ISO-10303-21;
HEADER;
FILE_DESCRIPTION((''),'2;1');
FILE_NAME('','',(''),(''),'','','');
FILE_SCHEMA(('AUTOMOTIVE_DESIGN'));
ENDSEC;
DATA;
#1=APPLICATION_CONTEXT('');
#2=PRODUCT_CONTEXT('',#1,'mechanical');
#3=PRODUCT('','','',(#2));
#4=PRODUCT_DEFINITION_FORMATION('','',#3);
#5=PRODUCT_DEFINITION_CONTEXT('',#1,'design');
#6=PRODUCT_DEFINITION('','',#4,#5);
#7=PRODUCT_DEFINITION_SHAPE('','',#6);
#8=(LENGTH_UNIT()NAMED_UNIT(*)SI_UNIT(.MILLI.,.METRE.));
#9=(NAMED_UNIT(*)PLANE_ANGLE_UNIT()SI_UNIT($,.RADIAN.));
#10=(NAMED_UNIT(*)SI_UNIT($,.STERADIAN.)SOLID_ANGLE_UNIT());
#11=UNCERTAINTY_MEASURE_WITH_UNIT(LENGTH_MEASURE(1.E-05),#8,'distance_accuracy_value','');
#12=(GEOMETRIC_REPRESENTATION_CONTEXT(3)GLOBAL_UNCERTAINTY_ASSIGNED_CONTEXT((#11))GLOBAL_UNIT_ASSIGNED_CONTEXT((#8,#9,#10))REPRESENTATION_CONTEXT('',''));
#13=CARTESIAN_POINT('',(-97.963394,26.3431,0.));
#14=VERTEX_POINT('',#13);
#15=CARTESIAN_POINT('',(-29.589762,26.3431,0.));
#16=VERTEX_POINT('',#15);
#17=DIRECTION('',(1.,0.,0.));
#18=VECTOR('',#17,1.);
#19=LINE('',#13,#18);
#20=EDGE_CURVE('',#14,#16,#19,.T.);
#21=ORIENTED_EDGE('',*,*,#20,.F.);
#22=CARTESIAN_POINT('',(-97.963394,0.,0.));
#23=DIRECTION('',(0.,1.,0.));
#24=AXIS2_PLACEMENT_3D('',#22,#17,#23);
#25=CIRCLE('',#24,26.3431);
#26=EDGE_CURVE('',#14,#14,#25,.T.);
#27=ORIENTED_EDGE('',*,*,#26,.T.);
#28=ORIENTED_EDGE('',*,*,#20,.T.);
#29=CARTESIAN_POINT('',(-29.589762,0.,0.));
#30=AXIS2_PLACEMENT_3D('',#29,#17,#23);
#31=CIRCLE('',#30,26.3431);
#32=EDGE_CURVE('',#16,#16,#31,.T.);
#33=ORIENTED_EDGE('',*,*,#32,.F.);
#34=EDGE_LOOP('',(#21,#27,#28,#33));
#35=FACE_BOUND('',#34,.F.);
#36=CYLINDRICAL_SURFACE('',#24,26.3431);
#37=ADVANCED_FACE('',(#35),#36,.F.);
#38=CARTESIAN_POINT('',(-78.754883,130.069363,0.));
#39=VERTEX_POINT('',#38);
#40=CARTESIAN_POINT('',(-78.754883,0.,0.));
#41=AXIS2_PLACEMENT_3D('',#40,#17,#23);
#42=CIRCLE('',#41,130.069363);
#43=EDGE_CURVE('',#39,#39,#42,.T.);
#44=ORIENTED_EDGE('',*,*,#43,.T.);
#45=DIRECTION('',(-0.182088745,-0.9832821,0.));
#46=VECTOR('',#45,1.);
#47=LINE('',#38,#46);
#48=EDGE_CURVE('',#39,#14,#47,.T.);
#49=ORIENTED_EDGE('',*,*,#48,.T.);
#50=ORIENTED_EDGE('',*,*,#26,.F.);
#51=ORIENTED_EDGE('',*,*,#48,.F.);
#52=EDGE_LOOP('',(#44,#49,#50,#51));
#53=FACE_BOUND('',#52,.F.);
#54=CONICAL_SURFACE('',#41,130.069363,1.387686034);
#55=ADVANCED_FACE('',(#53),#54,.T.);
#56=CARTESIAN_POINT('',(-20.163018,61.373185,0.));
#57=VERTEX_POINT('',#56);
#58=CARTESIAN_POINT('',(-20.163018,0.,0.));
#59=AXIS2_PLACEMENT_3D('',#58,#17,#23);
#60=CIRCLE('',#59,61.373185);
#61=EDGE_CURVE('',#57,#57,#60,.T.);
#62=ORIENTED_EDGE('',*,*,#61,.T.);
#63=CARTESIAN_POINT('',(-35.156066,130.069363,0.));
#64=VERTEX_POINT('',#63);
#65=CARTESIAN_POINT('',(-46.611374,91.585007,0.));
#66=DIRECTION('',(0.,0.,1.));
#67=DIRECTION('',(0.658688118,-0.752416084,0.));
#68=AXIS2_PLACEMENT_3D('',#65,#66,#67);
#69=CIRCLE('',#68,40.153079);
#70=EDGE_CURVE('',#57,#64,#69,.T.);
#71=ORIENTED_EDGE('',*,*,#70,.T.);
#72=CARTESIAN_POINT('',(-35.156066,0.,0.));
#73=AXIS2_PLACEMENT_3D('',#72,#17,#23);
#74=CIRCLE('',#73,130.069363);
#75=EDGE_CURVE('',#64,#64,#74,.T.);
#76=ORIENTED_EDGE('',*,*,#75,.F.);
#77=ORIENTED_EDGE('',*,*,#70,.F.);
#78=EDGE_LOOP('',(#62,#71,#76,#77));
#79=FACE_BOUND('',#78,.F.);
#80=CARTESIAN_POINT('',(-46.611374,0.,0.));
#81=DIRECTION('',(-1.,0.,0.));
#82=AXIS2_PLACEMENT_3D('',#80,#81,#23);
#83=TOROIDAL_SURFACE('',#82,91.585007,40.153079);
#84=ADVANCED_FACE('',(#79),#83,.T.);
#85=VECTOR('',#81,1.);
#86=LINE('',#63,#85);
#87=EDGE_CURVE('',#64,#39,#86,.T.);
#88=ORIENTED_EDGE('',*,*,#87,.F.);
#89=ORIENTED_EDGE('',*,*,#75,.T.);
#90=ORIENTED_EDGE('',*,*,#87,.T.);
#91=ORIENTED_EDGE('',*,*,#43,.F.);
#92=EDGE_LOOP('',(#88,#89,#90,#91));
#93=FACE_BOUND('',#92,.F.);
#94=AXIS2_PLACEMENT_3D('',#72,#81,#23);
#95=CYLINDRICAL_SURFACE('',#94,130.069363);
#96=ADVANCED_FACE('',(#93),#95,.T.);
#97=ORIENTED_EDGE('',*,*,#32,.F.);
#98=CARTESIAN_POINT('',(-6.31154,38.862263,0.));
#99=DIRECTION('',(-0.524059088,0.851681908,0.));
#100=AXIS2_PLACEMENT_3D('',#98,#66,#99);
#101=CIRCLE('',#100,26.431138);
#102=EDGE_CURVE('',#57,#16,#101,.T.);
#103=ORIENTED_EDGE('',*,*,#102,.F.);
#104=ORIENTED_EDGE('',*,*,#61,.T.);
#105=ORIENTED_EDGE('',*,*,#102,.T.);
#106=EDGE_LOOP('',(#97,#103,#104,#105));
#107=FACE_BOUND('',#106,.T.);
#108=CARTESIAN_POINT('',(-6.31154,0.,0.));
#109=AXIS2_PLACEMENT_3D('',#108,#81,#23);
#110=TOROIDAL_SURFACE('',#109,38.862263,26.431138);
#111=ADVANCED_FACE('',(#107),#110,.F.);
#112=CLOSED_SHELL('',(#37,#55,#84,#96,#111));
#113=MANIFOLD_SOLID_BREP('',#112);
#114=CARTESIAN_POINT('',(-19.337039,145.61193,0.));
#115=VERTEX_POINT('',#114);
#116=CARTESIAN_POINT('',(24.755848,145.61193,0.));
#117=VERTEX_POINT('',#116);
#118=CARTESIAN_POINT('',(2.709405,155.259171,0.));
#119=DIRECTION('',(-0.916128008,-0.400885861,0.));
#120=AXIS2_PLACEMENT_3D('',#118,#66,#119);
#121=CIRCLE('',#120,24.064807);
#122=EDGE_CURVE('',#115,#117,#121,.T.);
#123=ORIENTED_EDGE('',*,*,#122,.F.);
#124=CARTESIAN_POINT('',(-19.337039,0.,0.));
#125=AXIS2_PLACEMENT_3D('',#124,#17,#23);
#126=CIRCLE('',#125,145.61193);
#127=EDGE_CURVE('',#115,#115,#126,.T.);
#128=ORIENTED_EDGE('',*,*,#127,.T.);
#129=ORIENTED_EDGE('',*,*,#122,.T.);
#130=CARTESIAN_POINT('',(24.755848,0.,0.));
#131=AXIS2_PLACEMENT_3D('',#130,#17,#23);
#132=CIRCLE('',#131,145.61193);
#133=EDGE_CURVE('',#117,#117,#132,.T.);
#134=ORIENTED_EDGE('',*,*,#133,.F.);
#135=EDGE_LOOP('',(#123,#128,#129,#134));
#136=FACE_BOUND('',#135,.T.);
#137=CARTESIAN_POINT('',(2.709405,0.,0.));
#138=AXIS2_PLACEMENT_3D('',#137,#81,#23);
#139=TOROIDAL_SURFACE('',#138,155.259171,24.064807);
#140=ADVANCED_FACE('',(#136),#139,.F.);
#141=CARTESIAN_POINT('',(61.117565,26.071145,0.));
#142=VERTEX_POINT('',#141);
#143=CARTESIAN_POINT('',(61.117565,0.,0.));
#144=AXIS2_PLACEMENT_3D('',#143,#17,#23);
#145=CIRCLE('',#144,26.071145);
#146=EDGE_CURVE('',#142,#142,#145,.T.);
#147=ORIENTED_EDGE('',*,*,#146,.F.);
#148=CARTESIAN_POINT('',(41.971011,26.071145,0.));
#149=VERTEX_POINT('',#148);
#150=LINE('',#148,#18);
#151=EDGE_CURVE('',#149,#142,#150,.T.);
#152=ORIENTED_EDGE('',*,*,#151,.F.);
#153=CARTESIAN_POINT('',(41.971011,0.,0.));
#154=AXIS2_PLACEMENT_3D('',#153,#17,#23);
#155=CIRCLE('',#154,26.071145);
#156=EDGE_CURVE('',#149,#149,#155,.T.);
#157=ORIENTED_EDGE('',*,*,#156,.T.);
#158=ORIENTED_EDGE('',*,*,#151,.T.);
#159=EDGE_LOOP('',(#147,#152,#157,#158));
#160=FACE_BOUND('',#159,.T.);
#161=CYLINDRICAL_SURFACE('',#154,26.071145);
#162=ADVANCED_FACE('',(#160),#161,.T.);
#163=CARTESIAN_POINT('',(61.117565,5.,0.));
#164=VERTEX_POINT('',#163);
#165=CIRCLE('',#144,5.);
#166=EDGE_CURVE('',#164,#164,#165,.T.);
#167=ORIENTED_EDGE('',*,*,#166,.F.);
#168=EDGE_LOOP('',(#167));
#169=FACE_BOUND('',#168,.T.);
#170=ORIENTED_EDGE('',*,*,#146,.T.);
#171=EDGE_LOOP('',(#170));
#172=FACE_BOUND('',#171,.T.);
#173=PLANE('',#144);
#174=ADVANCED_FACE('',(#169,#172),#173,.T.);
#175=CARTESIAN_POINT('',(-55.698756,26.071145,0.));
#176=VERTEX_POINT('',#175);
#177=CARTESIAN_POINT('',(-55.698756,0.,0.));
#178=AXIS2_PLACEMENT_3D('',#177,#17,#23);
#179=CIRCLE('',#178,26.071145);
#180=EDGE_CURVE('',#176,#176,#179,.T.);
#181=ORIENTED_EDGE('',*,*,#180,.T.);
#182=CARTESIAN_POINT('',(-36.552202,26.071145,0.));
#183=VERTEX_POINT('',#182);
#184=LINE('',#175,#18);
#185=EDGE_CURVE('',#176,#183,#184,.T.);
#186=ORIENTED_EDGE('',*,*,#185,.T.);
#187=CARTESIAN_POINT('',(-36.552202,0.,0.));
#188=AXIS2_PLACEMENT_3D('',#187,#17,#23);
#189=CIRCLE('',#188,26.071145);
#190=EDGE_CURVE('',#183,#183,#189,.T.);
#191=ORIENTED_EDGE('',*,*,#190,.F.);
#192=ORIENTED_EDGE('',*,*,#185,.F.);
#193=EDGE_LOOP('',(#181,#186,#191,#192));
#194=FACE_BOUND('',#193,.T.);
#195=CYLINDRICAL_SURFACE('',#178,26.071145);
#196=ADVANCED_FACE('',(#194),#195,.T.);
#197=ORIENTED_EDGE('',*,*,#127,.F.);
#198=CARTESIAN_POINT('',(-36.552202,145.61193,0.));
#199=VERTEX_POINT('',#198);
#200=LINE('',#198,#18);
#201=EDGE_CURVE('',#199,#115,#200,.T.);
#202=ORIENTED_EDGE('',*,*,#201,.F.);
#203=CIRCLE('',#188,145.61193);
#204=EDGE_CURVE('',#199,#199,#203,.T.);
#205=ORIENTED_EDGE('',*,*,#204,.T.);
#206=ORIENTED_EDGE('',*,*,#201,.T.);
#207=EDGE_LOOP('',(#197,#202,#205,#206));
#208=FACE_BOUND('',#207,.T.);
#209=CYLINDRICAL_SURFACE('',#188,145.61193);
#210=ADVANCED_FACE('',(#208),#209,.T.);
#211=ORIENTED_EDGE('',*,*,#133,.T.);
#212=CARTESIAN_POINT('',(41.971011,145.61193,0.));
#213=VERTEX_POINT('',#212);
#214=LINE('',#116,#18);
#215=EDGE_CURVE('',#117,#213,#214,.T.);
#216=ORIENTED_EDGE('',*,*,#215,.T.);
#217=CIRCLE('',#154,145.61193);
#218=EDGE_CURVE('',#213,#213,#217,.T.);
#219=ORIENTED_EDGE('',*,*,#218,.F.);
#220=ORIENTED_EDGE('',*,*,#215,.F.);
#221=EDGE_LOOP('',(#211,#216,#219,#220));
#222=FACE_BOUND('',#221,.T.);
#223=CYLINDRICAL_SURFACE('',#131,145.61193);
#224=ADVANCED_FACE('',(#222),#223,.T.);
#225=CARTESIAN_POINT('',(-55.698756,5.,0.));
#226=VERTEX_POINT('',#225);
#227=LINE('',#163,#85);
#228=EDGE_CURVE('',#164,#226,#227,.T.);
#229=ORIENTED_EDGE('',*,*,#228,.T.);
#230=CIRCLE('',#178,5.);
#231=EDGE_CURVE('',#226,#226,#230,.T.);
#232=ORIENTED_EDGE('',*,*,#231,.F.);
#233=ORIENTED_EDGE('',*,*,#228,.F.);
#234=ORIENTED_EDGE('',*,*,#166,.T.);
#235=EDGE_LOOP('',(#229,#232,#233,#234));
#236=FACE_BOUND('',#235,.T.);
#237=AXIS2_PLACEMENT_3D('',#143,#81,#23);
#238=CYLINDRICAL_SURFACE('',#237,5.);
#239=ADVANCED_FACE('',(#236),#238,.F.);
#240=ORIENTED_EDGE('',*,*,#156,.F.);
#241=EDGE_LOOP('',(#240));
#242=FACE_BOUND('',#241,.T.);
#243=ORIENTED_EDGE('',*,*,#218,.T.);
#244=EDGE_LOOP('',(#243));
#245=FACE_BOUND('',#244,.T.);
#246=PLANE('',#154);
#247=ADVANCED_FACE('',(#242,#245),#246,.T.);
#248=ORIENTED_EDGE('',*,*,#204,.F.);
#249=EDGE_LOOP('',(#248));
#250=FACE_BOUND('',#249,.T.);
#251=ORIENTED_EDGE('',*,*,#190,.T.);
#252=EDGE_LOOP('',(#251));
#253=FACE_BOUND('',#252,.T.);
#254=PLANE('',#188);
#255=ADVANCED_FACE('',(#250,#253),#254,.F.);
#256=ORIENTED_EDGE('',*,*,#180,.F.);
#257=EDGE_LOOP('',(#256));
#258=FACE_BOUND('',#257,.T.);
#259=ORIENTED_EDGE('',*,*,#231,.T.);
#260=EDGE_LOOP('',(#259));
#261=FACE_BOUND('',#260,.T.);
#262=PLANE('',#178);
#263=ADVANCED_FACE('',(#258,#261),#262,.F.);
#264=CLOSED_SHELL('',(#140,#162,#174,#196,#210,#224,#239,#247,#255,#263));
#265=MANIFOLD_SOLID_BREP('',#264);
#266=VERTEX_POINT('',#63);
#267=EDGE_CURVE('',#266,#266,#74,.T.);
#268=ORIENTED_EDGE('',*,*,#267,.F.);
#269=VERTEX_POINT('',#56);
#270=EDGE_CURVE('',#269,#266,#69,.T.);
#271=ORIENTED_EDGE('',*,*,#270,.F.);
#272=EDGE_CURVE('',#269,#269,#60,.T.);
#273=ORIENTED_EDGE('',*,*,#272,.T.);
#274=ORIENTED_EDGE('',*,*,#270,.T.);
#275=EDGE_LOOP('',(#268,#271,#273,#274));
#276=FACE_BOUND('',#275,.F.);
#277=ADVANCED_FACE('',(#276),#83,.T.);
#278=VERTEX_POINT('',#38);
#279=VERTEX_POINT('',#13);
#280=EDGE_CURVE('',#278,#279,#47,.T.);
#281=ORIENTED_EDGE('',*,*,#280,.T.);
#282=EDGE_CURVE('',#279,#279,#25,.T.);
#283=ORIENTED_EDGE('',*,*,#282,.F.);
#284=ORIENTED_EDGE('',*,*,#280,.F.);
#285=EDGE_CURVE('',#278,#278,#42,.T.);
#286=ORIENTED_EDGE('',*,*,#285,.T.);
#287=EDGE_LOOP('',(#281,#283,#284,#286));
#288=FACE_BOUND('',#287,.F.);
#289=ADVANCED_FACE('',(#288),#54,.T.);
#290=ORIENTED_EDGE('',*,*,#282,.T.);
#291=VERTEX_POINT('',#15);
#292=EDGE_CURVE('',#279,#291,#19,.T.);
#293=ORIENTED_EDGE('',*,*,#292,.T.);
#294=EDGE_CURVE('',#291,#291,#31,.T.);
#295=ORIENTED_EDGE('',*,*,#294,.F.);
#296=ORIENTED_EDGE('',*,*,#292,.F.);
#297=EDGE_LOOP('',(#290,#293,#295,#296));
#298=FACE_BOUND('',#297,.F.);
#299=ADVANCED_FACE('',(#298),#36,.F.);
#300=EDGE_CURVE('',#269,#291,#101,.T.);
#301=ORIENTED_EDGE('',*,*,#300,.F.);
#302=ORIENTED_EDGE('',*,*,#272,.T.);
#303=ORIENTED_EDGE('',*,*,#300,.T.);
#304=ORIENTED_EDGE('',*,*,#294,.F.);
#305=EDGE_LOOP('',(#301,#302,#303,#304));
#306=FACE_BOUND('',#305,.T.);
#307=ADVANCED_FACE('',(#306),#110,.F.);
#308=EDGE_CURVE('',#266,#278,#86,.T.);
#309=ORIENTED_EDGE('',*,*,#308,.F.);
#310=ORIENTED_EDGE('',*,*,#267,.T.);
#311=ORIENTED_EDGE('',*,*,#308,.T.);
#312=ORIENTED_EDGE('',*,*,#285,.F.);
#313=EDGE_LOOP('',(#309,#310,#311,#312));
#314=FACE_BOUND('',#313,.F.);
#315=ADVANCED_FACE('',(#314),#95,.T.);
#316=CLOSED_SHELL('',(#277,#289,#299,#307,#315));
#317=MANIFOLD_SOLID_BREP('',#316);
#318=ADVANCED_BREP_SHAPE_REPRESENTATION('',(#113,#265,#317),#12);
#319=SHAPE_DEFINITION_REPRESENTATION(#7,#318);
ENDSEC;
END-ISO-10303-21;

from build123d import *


with BuildPart() as ruota:
    # Sketch → Revolution (revolve)
    with BuildSketch(Plane.XY):
        with BuildLine():
            Line((-55.698756, 5), (-55.698756, 26.071145))
            Line((-55.698756, 26.071145), (-36.552202, 26.071145))
            Line((-36.552202, 26.071145), (-36.552202, 145.61193))
            Line((-36.552202, 145.61193), (-19.337039, 145.61193))
            ThreePointArc((-19.337039, 145.61193), (2.709405, 131.194364), (24.755848, 145.61193))
            Line((24.755848, 145.61193), (41.971011, 145.61193))
            Line((41.971011, 145.61193), (41.971011, 26.071145))
            Line((41.971011, 26.071145), (61.117565, 26.071145))
            Line((61.117565, 26.071145), (61.117565, 5))
            Line((61.117565, 5), (-55.698756, 5))
        make_face()
    revolve(axis=Axis((0, 0, 0), (1, 0, 0)))


with BuildPart() as dasottrarre:
    # Sketch002 → Revolution002 (revolve)
    with BuildSketch(Plane.XY):
        with BuildLine():
            ThreePointArc((-20.163018, 61.373185), (-7.381753, 100.146933), (-35.156066, 130.069363))
            Line((-35.156066, 130.069363), (-78.754883, 130.069363))
            Line((-78.754883, 130.069363), (-97.963394, 26.3431))
            Line((-97.963394, 26.3431), (-29.589762, 26.3431))
            ThreePointArc((-20.163018, 61.373185), (-31.834674, 45.730646), (-29.589762, 26.3431))
        make_face()
    revolve(axis=Axis((0, 0, 0), (1, 0, 0)))


with BuildPart() as dasottrarre001:
    # Sketch003 → Revolution003 (revolve)
    with BuildSketch(Plane.XY):
        with BuildLine():
            ThreePointArc((-20.163018, 61.373185), (-7.381753, 100.146933), (-35.156066, 130.069363))
            Line((-35.156066, 130.069363), (-78.754883, 130.069363))
            Line((-78.754883, 130.069363), (-97.963394, 26.3431))
            Line((-97.963394, 26.3431), (-29.589762, 26.3431))
            ThreePointArc((-20.163018, 61.373185), (-31.834674, 45.730646), (-29.589762, 26.3431))
        make_face()
    revolve(axis=Axis((0, 0, 0), (1, 0, 0)))


solid = Compound([ruota.part, dasottrarre.part, dasottrarre001.part])
